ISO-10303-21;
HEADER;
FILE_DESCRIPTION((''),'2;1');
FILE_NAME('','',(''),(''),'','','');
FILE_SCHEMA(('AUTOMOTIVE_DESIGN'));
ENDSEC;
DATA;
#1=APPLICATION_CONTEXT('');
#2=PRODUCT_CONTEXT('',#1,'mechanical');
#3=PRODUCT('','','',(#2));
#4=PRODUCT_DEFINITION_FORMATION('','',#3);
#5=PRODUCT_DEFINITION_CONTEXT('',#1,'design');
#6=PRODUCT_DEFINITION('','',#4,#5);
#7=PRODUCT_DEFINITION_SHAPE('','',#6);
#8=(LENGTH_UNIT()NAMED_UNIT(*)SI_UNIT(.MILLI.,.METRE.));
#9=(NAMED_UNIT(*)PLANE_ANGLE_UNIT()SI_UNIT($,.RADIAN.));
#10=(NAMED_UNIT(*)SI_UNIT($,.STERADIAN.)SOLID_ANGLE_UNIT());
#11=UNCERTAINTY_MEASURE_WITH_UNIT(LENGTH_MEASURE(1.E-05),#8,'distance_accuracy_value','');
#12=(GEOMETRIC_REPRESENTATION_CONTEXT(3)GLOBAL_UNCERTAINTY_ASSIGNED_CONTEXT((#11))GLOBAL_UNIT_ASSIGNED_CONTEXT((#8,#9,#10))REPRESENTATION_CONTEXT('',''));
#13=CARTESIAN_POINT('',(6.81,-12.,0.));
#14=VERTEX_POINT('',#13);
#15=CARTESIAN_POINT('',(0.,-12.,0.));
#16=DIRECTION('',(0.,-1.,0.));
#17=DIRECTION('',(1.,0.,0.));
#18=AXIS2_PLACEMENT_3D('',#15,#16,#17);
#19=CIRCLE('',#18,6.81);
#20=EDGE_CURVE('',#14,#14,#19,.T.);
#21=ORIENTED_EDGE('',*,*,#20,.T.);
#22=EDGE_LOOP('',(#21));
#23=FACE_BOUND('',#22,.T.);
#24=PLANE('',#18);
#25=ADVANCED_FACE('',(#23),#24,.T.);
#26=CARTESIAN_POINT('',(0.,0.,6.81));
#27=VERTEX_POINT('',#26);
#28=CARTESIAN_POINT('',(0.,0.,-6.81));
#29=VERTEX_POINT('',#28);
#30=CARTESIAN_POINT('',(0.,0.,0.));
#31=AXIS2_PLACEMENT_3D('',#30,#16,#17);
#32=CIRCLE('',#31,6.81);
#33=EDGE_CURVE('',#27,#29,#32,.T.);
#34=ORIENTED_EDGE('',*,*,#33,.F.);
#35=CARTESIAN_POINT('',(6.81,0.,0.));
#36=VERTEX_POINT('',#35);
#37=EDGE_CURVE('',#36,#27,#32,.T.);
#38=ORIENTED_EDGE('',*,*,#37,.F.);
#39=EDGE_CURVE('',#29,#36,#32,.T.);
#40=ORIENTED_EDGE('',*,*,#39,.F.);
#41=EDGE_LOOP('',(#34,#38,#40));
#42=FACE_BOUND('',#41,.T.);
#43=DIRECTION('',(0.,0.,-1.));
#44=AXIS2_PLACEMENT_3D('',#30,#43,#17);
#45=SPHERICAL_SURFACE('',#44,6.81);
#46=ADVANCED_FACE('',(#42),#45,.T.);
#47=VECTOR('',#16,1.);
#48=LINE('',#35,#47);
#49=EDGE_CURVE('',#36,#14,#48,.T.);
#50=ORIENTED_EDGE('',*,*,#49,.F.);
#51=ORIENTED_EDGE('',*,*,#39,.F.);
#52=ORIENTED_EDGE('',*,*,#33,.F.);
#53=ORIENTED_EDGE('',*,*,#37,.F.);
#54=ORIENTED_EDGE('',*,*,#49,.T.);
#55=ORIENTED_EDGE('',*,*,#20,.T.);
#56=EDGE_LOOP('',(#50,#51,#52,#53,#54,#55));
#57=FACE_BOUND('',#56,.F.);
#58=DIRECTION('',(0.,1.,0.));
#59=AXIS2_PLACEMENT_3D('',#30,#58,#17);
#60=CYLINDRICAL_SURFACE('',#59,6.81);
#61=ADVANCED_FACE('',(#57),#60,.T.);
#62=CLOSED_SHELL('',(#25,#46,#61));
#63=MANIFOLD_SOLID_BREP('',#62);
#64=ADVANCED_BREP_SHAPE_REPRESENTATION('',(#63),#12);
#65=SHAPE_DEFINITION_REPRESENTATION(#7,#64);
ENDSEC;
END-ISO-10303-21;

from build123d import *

# Parameters (mm, degrees)
F0_R     = 6.81
F1_DEPTH = 12


with BuildPart() as f1:
    # F0 (on Front) → F1 (new body)
    with BuildSketch(Plane.XZ):
        Circle(F0_R)
    extrude(amount=F1_DEPTH)

    # F2 (on face) → F3 (revolve)
    with BuildSketch(Plane(origin=(0, 0, 0), x_dir=(-1, 0, 0), z_dir=(0, 1, 0))):
        with BuildLine():
            Line((0, -6.81), (0, 6.81))
            ThreePointArc((0, 6.81), (-6.81, 0), (0, -6.81))
        make_face()
    revolve(axis=Axis((0, 0, 0), (0, 0, -1)))


solid = f1.part
